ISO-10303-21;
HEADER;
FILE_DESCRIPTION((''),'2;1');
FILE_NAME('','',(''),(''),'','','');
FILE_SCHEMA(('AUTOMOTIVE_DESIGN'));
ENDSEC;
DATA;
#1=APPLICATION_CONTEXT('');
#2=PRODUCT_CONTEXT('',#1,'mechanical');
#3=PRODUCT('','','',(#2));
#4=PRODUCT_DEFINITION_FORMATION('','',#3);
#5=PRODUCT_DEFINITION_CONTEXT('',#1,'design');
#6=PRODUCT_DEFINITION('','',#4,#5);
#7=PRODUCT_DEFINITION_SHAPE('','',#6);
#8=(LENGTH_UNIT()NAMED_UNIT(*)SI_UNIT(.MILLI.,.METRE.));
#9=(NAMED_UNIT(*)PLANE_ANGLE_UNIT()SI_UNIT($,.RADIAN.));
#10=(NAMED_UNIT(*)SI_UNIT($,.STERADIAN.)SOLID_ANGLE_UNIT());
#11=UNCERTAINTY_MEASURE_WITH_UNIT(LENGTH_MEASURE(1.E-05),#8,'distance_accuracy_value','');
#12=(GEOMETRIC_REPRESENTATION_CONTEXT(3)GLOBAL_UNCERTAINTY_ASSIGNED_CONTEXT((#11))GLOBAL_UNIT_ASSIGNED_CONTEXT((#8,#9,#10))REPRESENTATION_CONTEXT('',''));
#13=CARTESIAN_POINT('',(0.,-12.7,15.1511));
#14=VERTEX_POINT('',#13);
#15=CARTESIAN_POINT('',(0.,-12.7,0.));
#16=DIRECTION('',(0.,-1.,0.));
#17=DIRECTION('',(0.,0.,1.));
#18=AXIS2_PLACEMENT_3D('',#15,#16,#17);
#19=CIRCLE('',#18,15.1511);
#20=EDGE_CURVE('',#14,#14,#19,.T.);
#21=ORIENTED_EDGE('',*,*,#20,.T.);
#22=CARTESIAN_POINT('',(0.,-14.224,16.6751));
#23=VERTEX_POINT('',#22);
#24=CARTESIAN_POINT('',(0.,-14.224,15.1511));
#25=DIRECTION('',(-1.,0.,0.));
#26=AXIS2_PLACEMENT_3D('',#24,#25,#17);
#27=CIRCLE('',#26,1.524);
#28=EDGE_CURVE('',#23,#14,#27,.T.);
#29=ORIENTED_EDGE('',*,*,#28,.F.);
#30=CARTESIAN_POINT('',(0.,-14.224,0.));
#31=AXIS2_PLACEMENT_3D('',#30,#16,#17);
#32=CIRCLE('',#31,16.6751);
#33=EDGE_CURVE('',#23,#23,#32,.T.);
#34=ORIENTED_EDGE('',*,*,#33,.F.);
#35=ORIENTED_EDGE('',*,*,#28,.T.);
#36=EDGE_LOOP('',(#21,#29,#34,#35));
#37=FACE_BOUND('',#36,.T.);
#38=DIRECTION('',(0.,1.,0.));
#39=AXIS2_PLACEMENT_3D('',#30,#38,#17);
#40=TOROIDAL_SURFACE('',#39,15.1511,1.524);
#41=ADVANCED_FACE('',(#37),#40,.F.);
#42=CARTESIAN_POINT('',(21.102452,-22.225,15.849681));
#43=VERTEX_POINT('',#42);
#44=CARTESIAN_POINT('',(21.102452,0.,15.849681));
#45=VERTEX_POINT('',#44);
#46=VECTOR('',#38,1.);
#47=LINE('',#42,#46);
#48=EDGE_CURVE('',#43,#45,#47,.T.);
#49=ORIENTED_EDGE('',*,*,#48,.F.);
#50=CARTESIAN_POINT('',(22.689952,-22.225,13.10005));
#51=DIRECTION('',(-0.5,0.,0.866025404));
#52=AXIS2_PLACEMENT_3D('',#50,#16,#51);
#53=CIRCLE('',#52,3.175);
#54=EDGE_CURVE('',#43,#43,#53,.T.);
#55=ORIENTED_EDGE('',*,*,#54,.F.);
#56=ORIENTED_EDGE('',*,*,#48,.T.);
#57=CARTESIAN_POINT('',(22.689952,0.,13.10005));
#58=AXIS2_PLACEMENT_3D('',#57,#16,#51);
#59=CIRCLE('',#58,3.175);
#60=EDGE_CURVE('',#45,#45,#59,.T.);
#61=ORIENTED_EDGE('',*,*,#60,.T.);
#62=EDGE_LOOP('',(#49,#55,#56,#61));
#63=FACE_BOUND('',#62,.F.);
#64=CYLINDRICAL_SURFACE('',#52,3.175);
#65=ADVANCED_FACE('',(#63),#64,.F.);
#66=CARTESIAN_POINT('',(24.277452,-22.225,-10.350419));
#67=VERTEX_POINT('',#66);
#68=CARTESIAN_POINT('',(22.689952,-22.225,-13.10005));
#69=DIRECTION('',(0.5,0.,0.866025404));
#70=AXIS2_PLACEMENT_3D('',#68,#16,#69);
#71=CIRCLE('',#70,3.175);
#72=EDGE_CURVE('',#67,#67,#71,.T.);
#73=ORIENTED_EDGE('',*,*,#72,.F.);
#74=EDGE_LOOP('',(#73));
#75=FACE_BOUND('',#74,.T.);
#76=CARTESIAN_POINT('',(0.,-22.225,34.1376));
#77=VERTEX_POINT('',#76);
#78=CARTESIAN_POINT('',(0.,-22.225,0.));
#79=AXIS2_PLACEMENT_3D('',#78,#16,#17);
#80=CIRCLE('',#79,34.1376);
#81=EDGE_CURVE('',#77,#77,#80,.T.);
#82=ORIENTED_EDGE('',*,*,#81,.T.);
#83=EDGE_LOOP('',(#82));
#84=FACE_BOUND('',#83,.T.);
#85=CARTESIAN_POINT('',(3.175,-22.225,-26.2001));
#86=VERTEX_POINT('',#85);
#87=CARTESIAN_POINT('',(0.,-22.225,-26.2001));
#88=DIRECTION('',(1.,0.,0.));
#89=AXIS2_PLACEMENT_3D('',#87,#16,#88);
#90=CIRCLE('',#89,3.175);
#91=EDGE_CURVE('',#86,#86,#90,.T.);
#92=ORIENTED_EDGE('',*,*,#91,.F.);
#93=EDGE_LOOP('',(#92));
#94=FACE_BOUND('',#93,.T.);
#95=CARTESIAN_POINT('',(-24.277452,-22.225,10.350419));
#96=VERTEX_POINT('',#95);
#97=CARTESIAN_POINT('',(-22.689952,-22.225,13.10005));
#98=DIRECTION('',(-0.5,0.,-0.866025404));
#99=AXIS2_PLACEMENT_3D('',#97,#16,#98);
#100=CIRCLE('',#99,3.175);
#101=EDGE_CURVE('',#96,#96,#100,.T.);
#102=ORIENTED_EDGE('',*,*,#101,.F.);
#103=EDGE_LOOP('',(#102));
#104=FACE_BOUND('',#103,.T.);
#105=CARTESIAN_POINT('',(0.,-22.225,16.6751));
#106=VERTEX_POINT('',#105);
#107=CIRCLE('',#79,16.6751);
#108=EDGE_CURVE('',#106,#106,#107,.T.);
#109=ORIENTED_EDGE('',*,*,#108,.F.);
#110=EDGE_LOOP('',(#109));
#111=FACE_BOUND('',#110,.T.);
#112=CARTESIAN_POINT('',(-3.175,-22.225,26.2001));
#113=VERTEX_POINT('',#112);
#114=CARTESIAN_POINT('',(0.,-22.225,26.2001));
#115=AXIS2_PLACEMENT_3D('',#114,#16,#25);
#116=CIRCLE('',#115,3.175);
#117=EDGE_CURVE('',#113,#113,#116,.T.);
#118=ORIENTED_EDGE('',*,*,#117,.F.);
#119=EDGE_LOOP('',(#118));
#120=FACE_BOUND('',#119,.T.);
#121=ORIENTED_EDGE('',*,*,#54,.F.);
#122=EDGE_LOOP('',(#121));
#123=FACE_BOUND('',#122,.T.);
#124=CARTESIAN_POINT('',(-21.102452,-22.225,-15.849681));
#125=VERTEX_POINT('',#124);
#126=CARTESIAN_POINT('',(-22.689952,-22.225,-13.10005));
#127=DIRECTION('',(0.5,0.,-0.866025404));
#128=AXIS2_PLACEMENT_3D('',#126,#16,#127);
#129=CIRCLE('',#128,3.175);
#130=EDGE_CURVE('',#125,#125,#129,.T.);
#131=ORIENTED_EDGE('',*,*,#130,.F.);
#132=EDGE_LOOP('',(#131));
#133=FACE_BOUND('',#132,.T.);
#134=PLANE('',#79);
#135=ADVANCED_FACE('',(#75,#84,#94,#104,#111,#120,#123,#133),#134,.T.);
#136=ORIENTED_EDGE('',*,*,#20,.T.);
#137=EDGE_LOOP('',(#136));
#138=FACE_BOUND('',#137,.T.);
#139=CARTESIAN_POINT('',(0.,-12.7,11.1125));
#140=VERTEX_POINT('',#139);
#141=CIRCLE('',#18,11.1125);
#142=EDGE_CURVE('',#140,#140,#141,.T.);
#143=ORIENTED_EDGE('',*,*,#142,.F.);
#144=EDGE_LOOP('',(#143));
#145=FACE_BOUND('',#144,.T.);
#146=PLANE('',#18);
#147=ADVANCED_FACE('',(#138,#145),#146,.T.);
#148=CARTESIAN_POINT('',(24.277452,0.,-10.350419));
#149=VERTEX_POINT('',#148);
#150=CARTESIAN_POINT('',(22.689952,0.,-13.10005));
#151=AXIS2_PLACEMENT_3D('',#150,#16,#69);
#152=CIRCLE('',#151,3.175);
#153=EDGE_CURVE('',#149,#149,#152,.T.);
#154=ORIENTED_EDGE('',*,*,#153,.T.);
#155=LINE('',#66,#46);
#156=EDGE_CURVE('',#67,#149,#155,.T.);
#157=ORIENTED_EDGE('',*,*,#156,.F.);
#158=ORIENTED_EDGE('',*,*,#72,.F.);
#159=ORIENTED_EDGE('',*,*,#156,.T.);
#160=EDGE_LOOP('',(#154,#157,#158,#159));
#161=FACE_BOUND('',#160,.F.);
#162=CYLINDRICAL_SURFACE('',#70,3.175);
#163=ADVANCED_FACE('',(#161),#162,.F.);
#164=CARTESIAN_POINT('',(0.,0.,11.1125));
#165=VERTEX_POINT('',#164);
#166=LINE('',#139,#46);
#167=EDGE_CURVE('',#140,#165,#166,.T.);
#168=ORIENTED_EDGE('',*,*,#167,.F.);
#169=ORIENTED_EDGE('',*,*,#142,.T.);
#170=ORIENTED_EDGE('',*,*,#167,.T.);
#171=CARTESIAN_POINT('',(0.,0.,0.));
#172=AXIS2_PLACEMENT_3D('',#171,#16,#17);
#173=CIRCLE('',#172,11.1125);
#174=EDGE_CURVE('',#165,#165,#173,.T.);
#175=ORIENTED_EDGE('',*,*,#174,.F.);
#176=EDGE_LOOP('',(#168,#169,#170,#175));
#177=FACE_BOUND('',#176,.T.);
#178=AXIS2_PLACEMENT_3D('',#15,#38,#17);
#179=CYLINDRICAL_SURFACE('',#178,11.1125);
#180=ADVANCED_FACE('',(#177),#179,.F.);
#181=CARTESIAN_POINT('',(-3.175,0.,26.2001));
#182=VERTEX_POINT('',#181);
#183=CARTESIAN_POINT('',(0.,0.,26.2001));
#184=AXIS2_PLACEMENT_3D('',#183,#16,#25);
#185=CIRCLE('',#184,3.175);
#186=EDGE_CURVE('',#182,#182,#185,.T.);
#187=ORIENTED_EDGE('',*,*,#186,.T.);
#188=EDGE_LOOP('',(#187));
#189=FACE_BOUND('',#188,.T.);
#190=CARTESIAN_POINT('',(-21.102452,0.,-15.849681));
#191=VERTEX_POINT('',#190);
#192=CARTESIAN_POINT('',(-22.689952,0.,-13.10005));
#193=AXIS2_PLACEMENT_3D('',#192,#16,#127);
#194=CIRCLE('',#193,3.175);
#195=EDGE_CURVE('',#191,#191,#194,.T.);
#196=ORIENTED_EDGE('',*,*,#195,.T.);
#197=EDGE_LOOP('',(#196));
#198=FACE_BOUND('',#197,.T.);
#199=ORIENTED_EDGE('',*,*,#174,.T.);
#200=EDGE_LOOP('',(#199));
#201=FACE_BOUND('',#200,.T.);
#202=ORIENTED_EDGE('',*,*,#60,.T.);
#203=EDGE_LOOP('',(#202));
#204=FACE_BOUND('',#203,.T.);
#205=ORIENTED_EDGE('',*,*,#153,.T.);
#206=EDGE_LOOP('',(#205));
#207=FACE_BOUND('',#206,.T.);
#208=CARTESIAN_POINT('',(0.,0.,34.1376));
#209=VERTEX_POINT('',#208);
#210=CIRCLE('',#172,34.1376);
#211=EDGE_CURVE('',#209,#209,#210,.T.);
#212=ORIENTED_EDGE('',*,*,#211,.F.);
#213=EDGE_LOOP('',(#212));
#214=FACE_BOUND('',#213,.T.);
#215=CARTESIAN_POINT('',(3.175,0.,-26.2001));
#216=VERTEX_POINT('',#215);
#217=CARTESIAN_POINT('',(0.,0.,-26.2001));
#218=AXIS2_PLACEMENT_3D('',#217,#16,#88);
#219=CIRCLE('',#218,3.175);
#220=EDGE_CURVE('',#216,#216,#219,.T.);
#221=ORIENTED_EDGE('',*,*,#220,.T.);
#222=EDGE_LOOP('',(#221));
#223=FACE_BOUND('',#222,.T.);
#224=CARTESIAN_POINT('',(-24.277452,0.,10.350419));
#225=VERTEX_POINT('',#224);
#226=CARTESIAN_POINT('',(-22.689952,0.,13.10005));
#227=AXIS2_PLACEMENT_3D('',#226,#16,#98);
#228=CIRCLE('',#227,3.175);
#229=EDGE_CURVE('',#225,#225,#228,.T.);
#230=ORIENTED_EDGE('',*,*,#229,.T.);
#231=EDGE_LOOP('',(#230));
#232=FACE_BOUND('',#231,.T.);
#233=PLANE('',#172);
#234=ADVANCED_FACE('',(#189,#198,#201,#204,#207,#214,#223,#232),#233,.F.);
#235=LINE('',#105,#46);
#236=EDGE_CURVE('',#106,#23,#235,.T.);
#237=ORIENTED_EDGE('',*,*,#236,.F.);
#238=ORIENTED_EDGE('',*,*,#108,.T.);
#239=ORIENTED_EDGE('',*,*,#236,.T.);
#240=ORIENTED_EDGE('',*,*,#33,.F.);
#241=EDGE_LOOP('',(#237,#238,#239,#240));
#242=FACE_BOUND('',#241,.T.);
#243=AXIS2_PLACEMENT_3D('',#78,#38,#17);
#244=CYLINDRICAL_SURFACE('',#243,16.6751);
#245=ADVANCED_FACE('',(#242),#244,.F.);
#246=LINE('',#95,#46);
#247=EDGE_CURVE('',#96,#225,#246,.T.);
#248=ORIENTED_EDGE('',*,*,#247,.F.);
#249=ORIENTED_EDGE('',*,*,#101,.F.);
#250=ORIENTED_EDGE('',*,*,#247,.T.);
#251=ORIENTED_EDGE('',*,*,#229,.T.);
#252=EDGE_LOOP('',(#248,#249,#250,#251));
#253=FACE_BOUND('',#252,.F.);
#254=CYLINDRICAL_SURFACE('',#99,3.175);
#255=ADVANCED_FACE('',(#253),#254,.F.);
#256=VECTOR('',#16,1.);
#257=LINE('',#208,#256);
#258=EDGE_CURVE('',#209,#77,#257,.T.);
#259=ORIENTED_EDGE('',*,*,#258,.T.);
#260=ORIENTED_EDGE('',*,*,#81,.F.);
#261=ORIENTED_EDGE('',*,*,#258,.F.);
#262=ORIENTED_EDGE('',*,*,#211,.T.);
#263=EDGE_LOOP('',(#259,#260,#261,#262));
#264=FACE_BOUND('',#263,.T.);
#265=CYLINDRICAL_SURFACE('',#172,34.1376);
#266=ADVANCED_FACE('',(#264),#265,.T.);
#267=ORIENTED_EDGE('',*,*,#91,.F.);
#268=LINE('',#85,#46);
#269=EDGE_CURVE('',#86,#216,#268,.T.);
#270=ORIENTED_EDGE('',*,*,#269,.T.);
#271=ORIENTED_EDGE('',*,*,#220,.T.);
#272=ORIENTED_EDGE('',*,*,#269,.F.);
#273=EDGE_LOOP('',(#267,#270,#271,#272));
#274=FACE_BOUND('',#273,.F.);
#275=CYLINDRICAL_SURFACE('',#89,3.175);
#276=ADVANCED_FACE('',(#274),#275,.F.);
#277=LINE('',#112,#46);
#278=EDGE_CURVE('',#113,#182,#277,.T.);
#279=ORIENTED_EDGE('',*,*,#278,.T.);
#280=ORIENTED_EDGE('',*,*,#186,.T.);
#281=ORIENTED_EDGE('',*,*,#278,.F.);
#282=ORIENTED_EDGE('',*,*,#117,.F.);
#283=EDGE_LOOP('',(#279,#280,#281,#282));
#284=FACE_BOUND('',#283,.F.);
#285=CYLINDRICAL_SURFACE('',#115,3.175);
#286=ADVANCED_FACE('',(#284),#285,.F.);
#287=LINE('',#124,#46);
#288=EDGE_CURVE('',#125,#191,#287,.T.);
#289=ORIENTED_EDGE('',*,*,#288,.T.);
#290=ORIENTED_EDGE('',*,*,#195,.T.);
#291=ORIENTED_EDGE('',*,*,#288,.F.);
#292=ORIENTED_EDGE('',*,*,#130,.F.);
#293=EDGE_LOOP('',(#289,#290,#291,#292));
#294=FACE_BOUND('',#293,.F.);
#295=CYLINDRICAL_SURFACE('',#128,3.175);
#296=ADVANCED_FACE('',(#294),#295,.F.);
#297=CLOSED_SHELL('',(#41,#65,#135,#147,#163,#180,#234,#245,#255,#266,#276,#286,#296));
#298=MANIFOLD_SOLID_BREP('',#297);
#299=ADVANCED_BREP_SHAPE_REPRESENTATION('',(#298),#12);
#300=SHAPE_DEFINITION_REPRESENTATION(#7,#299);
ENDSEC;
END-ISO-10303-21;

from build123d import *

# Parameters (mm, degrees)
F2_R     = 1.524
F3_R     = 3.175
F4_DEPTH = 22.226
F5_COUNT = 6


with BuildPart() as f1:
    # F0 (on Right) → F1 (revolve)
    with BuildSketch(Plane.YZ):
        Polygon((-12.7, 11.1125), (0, 11.1125), (0, 34.1376), (-22.225, 34.1376), (-22.225, 16.6751), (-12.7, 16.6751), align=None)
    revolve(axis=Axis((0, -9.273836258, 0), (0, -1, 0)))

    # F2
    f2_edges = [f1.edges().sort_by_distance(p)[0] for p in [
        (0, -12.7, -16.6751),
    ]]
    fillet(f2_edges, radius=F2_R)

    # F3 (on face) → F4 (cut, through all)
    with BuildSketch(Plane.XZ.offset(22.225)):
        with Locations((0, -26.2001)):
            Circle(F3_R)
    f4 = extrude(amount=-F4_DEPTH, mode=Mode.SUBTRACT)

    # F5: F4 ×6 about axis
    f5_axis = Axis((0, -22.225, 0), (0, -1, 0))
    for i in range(1, F5_COUNT):
        add(f4.rotate(f5_axis, i * 360 / F5_COUNT), mode=Mode.SUBTRACT)


solid = f1.part
